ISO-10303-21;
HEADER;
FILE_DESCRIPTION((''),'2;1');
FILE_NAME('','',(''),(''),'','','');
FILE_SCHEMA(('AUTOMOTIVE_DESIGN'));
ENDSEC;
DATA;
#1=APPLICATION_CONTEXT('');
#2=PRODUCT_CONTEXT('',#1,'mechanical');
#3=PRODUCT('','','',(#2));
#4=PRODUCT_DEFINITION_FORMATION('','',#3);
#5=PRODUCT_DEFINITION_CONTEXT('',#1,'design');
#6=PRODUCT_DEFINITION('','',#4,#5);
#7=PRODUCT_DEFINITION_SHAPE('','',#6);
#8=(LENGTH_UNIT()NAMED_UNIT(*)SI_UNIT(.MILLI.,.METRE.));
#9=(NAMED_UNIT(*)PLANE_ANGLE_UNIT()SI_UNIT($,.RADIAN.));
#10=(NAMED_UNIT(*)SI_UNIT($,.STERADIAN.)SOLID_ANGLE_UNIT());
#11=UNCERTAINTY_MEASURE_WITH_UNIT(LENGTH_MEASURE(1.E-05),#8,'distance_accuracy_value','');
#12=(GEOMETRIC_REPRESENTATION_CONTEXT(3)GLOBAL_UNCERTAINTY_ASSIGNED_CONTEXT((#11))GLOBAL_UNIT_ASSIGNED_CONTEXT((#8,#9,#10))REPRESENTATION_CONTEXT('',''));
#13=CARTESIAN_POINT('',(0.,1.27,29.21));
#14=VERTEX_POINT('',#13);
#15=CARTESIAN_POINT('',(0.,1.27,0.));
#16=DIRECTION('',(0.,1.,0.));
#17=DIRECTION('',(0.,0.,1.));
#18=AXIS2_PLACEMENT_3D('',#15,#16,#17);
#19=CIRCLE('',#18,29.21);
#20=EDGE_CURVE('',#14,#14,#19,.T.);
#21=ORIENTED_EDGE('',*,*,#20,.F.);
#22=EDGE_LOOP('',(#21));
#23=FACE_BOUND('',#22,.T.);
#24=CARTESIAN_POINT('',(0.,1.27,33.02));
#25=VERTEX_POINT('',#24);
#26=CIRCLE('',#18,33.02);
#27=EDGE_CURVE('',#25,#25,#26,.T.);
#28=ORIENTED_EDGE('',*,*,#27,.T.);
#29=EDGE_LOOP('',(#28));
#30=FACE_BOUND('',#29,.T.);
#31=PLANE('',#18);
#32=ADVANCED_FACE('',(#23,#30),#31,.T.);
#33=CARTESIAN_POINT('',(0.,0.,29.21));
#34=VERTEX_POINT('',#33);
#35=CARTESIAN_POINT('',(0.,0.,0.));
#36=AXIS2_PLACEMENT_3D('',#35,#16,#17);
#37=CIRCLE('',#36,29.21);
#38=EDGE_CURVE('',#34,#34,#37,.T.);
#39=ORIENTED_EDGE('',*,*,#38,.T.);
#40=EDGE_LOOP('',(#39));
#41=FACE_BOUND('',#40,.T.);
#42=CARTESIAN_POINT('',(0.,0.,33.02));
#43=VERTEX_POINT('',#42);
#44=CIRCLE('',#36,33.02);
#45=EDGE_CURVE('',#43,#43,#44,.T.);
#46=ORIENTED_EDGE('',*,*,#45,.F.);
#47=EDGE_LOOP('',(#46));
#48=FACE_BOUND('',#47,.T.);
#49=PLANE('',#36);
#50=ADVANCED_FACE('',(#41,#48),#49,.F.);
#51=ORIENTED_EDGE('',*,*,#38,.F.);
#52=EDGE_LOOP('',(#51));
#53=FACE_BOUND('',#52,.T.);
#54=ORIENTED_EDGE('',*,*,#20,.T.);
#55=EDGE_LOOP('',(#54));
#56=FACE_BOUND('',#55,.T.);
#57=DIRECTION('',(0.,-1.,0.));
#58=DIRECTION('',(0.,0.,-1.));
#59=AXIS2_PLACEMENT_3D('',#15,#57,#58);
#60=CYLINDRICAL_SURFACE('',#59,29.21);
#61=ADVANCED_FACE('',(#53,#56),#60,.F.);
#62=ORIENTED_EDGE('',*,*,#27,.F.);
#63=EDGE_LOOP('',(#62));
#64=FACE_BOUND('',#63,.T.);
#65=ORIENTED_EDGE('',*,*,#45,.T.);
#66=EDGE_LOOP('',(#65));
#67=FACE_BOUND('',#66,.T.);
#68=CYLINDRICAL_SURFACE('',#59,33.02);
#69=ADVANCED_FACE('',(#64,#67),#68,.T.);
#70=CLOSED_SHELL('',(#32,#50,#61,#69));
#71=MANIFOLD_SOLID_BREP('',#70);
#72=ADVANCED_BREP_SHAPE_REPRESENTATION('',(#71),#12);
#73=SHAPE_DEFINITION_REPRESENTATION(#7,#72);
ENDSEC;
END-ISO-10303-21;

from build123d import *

# Parameters (mm, degrees)
SKETCH1_R           = 33.02
SKETCH1_R_2         = 29.21
BOSS_EXTRUDE1_DEPTH = 1.27


with BuildPart() as part:
    # Sketch1 → Boss-Extrude1 (new body)
    with BuildSketch(Plane(origin=(0, 0, 0), x_dir=(1, 0, 0), z_dir=(0, 1, 0))):
        with Locations(Location((0, 0, 0), (0, 0, 270))):
            Circle(SKETCH1_R)
        with Locations(Location((0, 0, 0), (0, 0, 270))):
            Circle(SKETCH1_R_2, mode=Mode.SUBTRACT)
    extrude(amount=BOSS_EXTRUDE1_DEPTH)


solid = part.part
